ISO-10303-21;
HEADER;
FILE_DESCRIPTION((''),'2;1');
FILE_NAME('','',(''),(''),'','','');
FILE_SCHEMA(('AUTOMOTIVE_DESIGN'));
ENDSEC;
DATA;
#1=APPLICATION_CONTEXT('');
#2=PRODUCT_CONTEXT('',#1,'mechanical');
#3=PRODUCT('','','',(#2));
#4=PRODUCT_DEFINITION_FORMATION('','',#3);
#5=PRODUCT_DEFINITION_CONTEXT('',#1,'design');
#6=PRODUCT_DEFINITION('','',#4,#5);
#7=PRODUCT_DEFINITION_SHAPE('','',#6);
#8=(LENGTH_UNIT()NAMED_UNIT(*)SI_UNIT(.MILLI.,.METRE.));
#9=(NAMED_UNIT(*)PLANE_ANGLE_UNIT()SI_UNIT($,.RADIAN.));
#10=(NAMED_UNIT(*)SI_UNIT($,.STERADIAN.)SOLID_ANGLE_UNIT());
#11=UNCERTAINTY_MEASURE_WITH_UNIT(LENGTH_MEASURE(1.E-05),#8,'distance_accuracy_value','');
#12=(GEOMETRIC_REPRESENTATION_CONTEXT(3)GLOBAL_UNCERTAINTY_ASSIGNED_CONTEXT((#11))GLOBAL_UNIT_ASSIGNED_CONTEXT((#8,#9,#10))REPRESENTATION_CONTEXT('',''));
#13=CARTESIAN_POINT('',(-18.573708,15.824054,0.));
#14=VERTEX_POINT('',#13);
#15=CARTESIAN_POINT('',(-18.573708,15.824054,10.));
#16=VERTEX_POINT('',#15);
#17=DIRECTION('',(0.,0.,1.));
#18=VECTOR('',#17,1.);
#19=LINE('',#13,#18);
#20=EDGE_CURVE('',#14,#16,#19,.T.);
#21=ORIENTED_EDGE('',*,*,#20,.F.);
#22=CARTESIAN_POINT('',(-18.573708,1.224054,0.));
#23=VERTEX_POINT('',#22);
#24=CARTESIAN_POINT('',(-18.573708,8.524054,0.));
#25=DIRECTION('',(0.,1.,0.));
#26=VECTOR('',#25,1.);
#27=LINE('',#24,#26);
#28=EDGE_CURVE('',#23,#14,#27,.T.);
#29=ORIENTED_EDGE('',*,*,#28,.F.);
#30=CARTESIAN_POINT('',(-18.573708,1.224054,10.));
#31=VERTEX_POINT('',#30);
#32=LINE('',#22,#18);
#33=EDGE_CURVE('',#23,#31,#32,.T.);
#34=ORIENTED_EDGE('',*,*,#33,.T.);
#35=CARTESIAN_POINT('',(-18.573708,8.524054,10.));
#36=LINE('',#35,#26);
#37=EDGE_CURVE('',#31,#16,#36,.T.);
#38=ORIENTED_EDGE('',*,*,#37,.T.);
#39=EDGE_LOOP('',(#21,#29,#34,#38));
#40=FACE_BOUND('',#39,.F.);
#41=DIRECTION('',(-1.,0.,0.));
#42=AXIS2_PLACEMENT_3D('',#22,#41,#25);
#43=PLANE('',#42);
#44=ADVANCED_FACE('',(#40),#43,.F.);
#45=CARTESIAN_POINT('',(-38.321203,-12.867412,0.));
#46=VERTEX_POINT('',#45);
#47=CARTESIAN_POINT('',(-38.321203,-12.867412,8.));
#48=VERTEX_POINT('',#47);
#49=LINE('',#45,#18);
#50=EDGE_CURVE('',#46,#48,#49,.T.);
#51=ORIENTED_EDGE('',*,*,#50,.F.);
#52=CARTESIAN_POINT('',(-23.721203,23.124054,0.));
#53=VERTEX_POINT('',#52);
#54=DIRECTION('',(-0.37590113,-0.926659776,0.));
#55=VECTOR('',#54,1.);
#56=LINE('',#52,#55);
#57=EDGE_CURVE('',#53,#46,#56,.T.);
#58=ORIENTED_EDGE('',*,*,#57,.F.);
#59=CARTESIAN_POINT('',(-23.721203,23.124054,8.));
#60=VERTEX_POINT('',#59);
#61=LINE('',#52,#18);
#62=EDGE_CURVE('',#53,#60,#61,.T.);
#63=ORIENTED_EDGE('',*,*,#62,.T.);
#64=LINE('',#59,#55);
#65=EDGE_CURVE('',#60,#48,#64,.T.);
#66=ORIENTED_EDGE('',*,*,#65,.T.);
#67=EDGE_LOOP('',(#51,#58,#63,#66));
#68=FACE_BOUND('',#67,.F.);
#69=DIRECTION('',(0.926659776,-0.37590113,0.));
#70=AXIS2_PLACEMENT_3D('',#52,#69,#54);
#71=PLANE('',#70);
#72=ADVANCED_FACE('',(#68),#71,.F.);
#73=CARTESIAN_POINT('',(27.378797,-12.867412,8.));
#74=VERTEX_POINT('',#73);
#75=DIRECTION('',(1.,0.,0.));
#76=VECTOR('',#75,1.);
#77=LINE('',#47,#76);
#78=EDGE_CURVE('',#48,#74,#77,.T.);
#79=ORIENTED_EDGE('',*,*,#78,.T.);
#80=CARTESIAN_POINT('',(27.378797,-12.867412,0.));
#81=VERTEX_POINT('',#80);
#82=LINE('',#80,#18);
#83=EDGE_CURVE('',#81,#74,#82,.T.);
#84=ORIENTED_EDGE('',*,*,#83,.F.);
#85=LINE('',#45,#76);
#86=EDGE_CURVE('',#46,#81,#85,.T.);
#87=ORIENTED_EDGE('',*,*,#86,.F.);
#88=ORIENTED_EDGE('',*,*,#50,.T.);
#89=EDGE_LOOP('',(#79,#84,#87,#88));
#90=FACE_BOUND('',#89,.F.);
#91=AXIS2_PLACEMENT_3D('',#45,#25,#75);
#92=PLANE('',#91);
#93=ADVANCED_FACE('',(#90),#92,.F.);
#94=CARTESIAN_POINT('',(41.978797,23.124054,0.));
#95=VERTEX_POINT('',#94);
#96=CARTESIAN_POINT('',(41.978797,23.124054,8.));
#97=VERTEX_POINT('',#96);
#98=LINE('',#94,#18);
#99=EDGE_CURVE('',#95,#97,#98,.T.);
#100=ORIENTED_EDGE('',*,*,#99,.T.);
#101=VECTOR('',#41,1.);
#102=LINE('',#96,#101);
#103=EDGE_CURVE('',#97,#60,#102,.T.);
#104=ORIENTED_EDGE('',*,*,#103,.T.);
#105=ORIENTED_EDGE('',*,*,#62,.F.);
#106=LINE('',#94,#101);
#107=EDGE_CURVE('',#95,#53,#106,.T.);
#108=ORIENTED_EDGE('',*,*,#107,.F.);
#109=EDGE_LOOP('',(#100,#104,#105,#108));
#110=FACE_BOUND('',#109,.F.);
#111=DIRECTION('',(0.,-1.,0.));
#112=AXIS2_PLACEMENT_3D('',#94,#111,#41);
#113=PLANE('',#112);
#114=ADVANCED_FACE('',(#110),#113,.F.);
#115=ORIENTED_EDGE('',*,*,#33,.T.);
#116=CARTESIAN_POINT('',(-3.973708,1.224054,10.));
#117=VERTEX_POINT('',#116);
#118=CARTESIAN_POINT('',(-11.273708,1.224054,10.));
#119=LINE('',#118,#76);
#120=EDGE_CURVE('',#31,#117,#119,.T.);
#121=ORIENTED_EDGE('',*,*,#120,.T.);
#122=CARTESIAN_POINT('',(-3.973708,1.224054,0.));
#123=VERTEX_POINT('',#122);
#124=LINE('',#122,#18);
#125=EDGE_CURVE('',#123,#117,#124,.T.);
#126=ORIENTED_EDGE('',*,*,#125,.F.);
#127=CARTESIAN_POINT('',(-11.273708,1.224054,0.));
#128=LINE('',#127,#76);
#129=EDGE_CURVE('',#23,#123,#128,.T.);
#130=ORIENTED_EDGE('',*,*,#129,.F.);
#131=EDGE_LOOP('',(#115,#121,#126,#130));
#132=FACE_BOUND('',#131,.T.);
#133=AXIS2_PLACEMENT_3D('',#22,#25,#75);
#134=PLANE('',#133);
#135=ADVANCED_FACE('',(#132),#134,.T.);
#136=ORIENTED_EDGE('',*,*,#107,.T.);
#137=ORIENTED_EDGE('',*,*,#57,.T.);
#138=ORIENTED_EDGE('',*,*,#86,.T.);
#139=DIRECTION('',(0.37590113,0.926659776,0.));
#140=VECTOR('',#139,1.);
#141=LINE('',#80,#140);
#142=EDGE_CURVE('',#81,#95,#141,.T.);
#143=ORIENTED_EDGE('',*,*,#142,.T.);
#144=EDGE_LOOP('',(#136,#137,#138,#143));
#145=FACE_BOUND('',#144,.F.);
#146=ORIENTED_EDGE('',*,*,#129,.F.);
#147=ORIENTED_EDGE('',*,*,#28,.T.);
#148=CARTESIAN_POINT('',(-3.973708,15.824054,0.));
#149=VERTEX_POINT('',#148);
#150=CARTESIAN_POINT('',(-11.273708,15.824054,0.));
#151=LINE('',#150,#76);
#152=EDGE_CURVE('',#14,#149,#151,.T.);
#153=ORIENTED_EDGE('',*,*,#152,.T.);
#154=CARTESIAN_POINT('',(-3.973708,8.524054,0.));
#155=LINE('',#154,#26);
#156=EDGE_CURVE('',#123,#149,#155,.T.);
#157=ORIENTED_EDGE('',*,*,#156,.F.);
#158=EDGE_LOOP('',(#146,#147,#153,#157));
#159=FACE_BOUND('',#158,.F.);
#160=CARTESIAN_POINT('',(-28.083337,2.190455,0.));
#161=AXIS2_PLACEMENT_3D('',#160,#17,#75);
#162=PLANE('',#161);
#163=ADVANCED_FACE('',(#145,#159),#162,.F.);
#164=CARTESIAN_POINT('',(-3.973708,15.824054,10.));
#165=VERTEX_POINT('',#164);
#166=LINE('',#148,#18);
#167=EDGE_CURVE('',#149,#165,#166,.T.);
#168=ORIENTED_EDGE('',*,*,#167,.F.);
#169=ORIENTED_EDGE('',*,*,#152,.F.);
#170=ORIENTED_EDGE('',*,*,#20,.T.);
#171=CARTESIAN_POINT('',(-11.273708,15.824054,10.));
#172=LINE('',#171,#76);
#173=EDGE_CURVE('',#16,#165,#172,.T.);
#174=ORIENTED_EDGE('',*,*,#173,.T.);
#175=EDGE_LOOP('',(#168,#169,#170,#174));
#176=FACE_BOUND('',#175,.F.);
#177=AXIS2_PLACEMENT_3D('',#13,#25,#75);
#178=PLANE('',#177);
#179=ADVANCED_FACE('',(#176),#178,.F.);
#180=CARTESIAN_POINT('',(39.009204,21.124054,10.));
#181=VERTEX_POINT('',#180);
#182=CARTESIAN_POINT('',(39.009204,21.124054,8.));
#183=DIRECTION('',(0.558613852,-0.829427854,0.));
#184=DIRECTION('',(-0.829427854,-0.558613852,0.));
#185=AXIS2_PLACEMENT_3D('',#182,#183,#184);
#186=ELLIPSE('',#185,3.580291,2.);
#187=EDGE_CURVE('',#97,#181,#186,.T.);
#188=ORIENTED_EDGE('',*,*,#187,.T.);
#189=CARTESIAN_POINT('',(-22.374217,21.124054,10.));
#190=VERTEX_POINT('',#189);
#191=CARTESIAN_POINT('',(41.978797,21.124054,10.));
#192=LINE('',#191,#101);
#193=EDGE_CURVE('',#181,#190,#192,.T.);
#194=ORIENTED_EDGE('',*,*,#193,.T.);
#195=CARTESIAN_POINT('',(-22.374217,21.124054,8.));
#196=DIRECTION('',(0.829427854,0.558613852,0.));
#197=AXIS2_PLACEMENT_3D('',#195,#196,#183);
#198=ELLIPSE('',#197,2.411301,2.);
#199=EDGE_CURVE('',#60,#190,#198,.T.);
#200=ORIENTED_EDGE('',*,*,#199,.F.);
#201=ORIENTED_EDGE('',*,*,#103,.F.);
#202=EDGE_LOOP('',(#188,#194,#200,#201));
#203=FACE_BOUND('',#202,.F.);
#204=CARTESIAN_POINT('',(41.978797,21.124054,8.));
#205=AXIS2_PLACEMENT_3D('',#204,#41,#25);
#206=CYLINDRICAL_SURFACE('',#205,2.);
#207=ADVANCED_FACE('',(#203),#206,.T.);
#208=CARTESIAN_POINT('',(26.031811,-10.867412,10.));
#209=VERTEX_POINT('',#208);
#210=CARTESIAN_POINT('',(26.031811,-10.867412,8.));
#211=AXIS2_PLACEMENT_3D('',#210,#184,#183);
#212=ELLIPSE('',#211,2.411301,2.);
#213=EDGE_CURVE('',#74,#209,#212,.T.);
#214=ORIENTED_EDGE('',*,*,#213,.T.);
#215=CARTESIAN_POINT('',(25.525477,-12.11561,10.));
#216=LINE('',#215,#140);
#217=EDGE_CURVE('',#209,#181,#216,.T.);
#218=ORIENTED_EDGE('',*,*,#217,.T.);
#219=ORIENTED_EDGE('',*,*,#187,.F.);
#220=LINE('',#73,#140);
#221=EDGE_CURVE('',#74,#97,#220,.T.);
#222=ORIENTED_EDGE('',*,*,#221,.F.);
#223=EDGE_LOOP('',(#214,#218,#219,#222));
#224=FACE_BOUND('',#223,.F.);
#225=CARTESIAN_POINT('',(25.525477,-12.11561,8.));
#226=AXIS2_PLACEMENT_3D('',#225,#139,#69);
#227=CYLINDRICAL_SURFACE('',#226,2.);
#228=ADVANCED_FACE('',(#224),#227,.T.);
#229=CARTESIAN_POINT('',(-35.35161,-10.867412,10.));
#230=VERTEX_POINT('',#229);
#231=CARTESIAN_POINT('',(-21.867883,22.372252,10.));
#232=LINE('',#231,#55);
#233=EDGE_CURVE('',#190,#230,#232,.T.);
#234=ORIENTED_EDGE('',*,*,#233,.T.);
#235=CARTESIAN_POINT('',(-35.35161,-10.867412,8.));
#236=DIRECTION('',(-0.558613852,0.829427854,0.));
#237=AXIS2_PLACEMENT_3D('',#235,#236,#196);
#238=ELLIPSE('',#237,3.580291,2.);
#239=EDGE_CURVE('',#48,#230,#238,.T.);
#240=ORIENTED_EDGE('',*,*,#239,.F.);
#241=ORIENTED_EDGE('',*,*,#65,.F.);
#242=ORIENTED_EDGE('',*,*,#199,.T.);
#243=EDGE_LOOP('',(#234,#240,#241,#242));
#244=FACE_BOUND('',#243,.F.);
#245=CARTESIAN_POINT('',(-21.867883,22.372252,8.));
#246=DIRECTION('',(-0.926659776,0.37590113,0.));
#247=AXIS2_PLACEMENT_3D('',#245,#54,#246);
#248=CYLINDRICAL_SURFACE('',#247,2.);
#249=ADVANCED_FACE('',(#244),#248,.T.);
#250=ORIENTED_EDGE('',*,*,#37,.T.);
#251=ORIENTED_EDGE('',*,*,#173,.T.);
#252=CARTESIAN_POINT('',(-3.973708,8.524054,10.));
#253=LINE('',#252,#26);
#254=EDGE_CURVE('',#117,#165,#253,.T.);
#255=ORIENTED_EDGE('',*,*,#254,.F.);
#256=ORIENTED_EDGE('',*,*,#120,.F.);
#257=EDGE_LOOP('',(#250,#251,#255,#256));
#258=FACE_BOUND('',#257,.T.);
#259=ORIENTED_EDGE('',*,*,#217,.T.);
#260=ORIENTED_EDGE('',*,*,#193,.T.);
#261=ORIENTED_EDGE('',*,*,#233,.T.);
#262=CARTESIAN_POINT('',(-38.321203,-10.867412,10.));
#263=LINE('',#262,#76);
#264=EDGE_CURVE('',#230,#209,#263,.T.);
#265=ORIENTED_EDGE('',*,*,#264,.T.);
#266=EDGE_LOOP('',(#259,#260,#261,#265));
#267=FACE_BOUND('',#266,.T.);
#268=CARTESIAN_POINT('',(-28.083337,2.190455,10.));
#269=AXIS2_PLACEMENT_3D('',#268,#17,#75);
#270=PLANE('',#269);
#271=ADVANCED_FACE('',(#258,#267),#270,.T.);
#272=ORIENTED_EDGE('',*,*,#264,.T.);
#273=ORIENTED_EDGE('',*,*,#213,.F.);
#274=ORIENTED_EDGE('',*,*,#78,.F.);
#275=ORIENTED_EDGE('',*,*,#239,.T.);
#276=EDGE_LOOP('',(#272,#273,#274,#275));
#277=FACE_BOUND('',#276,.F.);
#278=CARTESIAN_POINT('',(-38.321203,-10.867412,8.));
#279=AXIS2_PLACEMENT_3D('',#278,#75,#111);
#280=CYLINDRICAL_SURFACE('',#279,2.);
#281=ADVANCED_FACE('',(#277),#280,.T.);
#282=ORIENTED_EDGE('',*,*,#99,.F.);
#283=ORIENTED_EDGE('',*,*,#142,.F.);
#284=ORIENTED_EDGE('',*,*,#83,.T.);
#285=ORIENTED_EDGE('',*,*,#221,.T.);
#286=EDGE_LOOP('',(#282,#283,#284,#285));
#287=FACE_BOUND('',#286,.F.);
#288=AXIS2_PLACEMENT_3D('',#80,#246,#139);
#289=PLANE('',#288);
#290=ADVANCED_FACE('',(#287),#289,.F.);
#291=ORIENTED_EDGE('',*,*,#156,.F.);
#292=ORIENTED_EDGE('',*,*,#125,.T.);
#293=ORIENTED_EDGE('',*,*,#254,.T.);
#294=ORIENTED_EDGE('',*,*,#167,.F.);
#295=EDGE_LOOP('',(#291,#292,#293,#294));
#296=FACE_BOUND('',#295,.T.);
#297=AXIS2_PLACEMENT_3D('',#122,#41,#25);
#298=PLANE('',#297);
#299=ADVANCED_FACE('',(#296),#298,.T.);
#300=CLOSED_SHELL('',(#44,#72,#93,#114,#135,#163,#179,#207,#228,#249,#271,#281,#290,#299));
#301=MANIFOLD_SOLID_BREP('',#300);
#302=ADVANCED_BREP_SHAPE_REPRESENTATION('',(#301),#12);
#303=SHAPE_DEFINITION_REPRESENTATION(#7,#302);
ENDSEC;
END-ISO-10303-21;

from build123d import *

# Parameters (mm, degrees)
F0_W     = 51.1
F0_H     = 35.991466
F0_W_2   = 14.6
F0_H_2   = 14.6
F1_DEPTH = 10
F2_R     = 2


with BuildPart() as f1:
    # F0 (on Top) → F1 (new body)
    with BuildSketch(Plane.XY):
        Polygon((-23.721203, -12.867412), (-23.721203, 23.124054), (-38.321203, -12.867412), align=None)
        with Locations((1.828797, 5.128321)):
            Rectangle(F0_W, F0_H)
        with Locations((-11.273708, 8.524054)):
            Rectangle(F0_W_2, F0_H_2, mode=Mode.SUBTRACT)
        Polygon((41.978797, 23.124054), (27.378797, 23.124054), (27.378797, -12.867412), align=None)
    extrude(amount=F1_DEPTH)

    # F2
    f2_edges = [f1.edges().sort_by_distance(p)[0] for p in [
        (-5.471203, -12.867412, 10),
        (-31.021203, 5.128321, 10),
        (9.128797, 23.124054, 10),
        (34.678797, 5.128321, 10),
    ]]
    fillet(f2_edges, radius=F2_R)


solid = f1.part
